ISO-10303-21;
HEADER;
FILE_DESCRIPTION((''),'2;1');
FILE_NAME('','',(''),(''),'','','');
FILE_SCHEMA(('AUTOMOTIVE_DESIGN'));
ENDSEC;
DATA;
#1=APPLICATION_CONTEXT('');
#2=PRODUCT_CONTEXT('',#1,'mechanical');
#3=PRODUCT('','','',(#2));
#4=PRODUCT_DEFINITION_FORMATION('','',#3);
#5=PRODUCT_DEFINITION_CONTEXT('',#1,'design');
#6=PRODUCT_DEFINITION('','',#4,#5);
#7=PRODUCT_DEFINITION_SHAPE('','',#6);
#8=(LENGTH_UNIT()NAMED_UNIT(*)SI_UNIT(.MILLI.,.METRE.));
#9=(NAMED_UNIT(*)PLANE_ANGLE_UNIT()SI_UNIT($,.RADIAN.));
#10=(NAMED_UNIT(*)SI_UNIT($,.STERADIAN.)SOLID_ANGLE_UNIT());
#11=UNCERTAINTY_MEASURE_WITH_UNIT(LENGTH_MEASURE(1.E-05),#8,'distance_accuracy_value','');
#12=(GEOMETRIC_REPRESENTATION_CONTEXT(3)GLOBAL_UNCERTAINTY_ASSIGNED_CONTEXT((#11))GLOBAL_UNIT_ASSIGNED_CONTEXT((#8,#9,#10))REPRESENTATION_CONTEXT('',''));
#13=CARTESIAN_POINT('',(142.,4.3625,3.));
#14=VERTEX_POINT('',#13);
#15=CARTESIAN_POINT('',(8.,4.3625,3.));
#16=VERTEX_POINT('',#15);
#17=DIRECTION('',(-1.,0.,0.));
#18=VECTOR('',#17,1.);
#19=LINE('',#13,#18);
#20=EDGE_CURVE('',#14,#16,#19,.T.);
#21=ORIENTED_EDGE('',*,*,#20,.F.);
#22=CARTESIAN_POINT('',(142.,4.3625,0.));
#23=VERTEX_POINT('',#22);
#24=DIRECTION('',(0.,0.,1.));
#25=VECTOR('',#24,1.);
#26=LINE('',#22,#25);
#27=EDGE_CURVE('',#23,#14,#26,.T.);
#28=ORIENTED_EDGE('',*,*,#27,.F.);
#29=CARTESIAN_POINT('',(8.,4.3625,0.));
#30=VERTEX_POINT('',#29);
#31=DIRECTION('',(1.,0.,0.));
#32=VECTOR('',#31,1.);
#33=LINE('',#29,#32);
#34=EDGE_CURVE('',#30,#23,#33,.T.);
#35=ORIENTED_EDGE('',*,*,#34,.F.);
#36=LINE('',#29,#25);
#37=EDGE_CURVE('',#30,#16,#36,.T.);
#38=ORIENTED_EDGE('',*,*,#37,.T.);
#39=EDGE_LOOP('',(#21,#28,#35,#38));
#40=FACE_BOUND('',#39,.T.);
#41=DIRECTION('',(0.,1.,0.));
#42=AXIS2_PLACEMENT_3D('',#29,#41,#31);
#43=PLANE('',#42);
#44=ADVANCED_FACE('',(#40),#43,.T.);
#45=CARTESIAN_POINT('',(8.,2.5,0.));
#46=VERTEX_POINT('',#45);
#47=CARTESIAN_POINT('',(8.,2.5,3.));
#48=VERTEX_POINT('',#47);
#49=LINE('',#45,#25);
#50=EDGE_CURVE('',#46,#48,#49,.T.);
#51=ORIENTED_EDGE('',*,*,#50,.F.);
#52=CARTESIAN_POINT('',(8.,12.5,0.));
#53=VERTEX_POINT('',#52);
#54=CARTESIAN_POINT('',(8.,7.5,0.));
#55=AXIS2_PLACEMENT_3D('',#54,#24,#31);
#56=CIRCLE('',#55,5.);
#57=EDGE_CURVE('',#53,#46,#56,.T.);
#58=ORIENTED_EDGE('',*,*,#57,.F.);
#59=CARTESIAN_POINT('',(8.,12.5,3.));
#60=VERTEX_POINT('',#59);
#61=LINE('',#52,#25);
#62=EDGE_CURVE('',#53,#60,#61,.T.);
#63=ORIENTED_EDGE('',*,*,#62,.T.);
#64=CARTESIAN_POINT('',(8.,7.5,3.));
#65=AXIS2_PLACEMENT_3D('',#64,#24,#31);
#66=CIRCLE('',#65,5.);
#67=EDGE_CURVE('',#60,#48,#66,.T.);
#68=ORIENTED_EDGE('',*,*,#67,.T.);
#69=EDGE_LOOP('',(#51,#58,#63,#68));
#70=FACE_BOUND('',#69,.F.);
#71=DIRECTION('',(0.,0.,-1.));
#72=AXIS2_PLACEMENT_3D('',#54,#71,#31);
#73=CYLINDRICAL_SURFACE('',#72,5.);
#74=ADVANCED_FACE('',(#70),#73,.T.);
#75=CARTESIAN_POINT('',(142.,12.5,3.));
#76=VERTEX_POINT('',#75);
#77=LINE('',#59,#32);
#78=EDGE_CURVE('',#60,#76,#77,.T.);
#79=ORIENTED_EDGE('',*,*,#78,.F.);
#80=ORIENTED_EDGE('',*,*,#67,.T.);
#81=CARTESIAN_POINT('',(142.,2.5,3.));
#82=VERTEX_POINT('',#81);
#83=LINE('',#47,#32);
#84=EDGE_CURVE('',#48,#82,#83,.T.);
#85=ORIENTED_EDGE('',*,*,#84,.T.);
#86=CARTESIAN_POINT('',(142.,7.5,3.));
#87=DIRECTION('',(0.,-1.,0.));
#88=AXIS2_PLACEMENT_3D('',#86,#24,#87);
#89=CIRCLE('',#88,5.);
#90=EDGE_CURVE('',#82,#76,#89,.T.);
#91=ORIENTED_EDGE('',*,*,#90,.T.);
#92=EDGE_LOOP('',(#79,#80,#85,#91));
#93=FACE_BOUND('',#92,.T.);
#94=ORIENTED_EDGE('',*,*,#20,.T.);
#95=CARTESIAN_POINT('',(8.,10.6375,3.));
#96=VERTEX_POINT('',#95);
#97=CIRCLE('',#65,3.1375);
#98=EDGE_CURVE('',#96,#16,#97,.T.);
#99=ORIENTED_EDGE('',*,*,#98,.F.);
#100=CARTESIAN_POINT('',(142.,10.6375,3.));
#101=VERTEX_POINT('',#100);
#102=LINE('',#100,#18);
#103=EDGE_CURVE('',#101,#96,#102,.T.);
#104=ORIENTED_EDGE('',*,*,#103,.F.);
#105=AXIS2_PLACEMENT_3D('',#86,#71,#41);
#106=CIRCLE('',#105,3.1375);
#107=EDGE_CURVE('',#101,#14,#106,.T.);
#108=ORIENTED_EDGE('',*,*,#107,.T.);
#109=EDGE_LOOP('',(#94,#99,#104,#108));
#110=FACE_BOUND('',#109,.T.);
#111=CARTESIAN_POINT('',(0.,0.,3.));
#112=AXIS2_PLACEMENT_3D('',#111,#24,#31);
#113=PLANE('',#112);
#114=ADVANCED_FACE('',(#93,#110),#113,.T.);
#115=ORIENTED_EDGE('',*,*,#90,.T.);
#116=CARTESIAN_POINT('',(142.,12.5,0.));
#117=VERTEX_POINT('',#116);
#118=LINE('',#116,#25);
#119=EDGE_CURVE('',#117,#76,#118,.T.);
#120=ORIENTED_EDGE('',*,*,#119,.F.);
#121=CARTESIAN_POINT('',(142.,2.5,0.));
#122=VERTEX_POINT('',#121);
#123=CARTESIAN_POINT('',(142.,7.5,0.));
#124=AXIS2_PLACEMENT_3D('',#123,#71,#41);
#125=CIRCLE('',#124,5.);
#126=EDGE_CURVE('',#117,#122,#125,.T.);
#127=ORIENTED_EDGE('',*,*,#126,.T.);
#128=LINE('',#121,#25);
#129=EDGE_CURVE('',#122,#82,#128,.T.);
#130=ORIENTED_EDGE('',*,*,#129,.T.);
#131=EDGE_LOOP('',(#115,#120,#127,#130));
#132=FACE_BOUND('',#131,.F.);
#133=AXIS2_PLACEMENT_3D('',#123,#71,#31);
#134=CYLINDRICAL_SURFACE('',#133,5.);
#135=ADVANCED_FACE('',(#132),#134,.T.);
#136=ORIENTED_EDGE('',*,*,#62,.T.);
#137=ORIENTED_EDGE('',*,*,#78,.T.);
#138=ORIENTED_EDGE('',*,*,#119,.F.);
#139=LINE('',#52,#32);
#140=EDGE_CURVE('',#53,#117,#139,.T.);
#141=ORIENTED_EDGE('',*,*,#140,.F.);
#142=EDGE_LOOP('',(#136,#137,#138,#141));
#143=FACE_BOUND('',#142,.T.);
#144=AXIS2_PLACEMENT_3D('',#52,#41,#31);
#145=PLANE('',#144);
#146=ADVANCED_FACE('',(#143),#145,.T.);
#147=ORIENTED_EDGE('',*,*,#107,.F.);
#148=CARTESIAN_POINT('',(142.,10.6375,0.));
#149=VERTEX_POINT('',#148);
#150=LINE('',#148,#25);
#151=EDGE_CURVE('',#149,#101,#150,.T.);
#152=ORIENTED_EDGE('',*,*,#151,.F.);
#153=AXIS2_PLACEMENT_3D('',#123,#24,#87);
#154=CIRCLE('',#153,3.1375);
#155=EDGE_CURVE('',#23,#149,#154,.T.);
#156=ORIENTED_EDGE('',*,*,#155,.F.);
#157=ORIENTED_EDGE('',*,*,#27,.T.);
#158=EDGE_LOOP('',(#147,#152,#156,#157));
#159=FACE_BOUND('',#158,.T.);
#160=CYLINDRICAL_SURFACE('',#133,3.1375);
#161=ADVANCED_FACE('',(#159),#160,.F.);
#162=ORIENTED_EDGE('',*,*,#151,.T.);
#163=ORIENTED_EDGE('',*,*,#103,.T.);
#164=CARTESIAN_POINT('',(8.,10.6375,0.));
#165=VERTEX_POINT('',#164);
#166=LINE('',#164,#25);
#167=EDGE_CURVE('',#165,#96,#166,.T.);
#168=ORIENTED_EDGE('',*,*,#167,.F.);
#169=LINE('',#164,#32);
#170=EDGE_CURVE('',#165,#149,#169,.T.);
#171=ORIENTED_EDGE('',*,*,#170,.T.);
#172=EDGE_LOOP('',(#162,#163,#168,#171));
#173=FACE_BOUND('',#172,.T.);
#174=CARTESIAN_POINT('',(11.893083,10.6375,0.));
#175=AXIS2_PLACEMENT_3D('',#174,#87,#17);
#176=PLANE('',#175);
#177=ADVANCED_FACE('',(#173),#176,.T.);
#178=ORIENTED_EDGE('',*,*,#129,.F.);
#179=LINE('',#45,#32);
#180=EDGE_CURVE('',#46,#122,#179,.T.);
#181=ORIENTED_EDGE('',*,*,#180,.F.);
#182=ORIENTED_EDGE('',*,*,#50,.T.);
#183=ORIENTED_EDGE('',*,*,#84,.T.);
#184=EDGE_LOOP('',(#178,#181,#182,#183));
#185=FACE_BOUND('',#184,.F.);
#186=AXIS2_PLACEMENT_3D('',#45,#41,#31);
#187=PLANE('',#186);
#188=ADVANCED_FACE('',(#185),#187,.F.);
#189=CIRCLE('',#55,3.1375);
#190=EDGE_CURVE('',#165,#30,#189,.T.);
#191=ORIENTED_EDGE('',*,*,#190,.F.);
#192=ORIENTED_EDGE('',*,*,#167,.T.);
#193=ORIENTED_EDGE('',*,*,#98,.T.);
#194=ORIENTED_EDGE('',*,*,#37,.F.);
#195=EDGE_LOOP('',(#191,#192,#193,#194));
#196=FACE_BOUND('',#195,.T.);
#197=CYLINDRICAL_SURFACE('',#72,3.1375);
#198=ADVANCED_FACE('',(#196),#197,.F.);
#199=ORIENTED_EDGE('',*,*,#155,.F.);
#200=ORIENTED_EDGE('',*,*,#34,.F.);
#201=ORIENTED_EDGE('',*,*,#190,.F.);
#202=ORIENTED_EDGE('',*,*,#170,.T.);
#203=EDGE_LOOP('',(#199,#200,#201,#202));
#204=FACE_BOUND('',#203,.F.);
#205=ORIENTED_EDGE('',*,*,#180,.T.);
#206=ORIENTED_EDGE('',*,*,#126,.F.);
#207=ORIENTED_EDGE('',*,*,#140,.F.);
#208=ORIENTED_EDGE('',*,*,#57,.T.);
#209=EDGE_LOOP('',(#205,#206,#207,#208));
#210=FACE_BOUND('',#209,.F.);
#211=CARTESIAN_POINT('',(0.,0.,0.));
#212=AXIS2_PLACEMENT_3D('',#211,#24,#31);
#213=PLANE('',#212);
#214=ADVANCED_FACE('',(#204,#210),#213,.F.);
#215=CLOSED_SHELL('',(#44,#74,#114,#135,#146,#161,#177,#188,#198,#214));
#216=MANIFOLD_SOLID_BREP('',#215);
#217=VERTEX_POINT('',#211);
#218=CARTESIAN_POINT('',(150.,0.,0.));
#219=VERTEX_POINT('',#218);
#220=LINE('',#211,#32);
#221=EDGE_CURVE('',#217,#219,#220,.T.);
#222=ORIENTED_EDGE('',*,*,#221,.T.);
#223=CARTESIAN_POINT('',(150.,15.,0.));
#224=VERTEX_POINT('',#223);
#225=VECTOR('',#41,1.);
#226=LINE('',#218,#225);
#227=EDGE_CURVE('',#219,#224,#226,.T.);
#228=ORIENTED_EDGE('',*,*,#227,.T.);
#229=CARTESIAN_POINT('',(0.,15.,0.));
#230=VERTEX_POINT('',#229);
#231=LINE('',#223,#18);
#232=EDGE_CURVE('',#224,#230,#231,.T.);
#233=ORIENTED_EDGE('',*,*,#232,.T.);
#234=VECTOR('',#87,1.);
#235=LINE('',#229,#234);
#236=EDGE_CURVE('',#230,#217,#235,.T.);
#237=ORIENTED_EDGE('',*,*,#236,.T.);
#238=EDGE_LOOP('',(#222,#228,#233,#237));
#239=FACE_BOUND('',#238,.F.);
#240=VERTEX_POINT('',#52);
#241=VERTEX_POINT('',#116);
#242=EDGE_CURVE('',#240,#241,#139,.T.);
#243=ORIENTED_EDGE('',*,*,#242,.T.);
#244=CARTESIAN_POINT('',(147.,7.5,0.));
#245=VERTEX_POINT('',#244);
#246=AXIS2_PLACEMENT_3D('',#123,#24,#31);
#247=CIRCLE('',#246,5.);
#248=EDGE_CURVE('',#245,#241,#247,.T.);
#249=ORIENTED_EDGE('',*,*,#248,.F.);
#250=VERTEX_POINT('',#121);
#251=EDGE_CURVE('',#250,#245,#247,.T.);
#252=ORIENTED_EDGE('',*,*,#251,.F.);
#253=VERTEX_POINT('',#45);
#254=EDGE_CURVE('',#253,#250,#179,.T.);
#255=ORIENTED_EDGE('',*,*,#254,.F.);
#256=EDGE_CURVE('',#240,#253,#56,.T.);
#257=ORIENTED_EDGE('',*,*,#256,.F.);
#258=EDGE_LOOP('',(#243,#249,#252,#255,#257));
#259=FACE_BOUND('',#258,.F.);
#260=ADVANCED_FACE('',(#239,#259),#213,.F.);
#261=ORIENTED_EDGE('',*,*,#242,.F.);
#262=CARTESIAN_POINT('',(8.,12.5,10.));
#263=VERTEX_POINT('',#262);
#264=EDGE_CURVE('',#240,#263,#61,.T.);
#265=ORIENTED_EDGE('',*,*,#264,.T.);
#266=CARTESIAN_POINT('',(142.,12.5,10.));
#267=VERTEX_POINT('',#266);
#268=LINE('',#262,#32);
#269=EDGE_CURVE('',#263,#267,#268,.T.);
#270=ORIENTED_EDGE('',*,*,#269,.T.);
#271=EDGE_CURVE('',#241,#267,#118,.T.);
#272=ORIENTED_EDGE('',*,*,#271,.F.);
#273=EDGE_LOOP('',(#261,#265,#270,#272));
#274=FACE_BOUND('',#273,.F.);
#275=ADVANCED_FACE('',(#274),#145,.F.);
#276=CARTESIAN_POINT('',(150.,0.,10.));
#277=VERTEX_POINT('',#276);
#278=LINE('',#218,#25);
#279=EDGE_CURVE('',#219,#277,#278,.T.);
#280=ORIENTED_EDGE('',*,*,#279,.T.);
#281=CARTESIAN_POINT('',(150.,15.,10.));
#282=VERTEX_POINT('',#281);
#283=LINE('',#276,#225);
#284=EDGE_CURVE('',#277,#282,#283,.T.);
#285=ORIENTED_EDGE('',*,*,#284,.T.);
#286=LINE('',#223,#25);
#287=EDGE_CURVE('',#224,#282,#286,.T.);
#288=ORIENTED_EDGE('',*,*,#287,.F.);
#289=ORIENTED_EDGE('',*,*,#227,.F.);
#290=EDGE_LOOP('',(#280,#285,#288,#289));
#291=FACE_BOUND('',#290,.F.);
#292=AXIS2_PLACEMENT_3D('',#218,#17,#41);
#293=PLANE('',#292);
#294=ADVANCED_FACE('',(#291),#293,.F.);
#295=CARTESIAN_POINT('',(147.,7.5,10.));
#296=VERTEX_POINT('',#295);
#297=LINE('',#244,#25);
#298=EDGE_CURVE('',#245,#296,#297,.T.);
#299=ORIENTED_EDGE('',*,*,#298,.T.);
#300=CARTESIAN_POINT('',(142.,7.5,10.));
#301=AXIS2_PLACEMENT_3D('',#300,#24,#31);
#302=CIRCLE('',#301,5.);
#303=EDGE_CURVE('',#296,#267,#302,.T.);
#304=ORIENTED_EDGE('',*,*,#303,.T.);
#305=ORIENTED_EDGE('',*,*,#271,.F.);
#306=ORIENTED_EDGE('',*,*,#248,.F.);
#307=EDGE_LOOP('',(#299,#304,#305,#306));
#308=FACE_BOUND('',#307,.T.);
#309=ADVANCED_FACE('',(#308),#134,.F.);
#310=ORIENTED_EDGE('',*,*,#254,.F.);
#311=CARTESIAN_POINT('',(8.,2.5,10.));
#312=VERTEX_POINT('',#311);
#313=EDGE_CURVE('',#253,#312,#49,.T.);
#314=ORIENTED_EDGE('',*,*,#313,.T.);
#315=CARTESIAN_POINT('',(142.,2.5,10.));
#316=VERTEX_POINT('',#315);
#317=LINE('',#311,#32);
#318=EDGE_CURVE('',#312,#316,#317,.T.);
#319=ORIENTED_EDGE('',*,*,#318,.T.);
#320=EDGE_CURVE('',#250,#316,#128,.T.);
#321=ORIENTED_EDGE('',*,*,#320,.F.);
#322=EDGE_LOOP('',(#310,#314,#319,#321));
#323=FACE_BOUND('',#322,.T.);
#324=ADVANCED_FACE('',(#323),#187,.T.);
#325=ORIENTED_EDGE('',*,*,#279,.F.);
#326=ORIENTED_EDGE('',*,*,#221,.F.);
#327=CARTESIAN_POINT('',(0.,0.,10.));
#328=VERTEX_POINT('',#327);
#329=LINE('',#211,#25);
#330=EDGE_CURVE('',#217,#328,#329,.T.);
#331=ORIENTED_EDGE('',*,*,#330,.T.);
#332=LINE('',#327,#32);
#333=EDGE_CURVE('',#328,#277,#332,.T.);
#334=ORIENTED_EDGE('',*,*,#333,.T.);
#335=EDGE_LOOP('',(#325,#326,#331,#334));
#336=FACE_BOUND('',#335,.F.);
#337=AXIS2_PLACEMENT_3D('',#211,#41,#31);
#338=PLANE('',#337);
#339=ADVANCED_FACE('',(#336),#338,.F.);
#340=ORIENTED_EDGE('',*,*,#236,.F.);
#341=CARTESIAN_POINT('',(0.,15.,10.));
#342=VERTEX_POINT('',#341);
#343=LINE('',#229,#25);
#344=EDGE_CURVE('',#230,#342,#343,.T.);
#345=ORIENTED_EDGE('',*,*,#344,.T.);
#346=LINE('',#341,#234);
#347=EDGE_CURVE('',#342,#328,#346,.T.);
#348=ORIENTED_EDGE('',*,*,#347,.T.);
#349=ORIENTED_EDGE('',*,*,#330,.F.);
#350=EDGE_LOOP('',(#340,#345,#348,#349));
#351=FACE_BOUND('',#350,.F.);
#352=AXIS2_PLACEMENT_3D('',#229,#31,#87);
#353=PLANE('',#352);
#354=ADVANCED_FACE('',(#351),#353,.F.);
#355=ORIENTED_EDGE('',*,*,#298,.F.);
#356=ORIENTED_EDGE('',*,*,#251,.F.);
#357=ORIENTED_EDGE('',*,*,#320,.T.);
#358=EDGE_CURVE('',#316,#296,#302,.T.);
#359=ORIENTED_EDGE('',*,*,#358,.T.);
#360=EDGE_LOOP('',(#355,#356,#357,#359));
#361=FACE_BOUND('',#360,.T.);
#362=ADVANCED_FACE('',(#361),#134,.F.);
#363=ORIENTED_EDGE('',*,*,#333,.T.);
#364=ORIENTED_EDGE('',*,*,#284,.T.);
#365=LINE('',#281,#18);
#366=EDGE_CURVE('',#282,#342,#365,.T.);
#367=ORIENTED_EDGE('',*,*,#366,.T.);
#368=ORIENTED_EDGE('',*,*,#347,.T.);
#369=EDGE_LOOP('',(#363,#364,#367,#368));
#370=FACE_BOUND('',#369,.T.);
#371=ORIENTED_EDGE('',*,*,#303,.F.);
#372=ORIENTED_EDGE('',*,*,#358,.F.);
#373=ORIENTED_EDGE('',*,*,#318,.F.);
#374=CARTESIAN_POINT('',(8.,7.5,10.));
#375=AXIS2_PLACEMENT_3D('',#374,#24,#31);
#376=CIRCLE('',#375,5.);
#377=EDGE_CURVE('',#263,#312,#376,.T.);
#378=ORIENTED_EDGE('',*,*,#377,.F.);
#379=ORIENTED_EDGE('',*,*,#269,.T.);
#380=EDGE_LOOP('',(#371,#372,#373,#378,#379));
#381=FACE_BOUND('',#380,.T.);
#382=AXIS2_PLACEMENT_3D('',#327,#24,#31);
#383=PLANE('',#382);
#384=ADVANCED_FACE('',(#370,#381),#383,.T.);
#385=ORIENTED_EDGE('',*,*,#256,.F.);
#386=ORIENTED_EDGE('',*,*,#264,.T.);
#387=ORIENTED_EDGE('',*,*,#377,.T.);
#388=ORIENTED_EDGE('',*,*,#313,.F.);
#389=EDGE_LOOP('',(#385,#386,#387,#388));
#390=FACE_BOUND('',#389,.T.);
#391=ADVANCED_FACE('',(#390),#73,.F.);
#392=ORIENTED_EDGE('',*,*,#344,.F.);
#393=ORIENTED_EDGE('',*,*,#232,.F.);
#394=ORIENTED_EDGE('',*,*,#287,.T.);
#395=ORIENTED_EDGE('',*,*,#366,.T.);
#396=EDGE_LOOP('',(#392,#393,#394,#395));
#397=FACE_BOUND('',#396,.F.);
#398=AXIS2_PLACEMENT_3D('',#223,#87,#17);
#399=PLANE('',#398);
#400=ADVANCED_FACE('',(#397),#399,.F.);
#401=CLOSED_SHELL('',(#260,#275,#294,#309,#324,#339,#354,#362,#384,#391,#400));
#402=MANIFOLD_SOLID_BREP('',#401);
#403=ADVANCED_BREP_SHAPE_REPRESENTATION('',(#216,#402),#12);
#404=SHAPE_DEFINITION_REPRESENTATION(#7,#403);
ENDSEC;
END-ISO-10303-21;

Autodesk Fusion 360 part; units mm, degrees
sketch "Sketch1" plane through (0, 0, 0) normal (0, 0, 1) x (1, 0, 0)
  line L0 (0, 0) -> (150, 0)
  line L1 (150, 0) -> (150, 15)
  line L2 (150, 15) -> (0, 15)
  line L3 (0, 15) -> (0, 0)
  line L4 (150, 15) -> (0, 0) construction
  line L5 (0, 15) -> (150, 0) construction
  line L6 (75, 7.5) -> (150, 7.5) construction
  line L7 (75, 7.5) -> (0, 7.5) construction
  circle A0 centre (8, 7.5) radius 5
  circle A1 centre (8, 7.5) radius 3.1375
  circle A2 centre (142, 7.5) radius 5
  circle A3 centre (142, 7.5) radius 3.1375
  line L8 (142, 7.5) -> (142, 15) construction
  line L9 (142, 7.5) -> (142, 0) construction
  line L10 (8, 7.5) -> (8, 15) construction
  line L11 (8, 7.5) -> (8, 0) construction
  line L12 (8, 12.5) -> (142, 12.5)
  line L13 (8, 2.5) -> (142, 2.5)
  line L14 (8, 4.3625) -> (142, 4.3625)
  line L15 (142, 10.6375) -> (8, 10.6375)
  dimension "d1" = 150
  dimension "d2" = 15
  dimension "d3" = 10
  dimension "d4" = 8
  dimension "d5" = 6.275
  dimension "d6" = 10
  dimension "d7" = 8
  dimension "d8" = 6.275
extrude "Extrude1" add sketch "Sketch1" along normal blind 10 makes body 1
extrude "Extrude2" add sketch "Sketch1" along normal blind 3 separate body contours A0 A1 L14 L15 | A0 A2 L12 L15 | A0 A2 L13 L14 | A2 A3 L14 L15 picked at (4.0316, 5.6757) picked at (141.753, 3.1392) makes body 2
